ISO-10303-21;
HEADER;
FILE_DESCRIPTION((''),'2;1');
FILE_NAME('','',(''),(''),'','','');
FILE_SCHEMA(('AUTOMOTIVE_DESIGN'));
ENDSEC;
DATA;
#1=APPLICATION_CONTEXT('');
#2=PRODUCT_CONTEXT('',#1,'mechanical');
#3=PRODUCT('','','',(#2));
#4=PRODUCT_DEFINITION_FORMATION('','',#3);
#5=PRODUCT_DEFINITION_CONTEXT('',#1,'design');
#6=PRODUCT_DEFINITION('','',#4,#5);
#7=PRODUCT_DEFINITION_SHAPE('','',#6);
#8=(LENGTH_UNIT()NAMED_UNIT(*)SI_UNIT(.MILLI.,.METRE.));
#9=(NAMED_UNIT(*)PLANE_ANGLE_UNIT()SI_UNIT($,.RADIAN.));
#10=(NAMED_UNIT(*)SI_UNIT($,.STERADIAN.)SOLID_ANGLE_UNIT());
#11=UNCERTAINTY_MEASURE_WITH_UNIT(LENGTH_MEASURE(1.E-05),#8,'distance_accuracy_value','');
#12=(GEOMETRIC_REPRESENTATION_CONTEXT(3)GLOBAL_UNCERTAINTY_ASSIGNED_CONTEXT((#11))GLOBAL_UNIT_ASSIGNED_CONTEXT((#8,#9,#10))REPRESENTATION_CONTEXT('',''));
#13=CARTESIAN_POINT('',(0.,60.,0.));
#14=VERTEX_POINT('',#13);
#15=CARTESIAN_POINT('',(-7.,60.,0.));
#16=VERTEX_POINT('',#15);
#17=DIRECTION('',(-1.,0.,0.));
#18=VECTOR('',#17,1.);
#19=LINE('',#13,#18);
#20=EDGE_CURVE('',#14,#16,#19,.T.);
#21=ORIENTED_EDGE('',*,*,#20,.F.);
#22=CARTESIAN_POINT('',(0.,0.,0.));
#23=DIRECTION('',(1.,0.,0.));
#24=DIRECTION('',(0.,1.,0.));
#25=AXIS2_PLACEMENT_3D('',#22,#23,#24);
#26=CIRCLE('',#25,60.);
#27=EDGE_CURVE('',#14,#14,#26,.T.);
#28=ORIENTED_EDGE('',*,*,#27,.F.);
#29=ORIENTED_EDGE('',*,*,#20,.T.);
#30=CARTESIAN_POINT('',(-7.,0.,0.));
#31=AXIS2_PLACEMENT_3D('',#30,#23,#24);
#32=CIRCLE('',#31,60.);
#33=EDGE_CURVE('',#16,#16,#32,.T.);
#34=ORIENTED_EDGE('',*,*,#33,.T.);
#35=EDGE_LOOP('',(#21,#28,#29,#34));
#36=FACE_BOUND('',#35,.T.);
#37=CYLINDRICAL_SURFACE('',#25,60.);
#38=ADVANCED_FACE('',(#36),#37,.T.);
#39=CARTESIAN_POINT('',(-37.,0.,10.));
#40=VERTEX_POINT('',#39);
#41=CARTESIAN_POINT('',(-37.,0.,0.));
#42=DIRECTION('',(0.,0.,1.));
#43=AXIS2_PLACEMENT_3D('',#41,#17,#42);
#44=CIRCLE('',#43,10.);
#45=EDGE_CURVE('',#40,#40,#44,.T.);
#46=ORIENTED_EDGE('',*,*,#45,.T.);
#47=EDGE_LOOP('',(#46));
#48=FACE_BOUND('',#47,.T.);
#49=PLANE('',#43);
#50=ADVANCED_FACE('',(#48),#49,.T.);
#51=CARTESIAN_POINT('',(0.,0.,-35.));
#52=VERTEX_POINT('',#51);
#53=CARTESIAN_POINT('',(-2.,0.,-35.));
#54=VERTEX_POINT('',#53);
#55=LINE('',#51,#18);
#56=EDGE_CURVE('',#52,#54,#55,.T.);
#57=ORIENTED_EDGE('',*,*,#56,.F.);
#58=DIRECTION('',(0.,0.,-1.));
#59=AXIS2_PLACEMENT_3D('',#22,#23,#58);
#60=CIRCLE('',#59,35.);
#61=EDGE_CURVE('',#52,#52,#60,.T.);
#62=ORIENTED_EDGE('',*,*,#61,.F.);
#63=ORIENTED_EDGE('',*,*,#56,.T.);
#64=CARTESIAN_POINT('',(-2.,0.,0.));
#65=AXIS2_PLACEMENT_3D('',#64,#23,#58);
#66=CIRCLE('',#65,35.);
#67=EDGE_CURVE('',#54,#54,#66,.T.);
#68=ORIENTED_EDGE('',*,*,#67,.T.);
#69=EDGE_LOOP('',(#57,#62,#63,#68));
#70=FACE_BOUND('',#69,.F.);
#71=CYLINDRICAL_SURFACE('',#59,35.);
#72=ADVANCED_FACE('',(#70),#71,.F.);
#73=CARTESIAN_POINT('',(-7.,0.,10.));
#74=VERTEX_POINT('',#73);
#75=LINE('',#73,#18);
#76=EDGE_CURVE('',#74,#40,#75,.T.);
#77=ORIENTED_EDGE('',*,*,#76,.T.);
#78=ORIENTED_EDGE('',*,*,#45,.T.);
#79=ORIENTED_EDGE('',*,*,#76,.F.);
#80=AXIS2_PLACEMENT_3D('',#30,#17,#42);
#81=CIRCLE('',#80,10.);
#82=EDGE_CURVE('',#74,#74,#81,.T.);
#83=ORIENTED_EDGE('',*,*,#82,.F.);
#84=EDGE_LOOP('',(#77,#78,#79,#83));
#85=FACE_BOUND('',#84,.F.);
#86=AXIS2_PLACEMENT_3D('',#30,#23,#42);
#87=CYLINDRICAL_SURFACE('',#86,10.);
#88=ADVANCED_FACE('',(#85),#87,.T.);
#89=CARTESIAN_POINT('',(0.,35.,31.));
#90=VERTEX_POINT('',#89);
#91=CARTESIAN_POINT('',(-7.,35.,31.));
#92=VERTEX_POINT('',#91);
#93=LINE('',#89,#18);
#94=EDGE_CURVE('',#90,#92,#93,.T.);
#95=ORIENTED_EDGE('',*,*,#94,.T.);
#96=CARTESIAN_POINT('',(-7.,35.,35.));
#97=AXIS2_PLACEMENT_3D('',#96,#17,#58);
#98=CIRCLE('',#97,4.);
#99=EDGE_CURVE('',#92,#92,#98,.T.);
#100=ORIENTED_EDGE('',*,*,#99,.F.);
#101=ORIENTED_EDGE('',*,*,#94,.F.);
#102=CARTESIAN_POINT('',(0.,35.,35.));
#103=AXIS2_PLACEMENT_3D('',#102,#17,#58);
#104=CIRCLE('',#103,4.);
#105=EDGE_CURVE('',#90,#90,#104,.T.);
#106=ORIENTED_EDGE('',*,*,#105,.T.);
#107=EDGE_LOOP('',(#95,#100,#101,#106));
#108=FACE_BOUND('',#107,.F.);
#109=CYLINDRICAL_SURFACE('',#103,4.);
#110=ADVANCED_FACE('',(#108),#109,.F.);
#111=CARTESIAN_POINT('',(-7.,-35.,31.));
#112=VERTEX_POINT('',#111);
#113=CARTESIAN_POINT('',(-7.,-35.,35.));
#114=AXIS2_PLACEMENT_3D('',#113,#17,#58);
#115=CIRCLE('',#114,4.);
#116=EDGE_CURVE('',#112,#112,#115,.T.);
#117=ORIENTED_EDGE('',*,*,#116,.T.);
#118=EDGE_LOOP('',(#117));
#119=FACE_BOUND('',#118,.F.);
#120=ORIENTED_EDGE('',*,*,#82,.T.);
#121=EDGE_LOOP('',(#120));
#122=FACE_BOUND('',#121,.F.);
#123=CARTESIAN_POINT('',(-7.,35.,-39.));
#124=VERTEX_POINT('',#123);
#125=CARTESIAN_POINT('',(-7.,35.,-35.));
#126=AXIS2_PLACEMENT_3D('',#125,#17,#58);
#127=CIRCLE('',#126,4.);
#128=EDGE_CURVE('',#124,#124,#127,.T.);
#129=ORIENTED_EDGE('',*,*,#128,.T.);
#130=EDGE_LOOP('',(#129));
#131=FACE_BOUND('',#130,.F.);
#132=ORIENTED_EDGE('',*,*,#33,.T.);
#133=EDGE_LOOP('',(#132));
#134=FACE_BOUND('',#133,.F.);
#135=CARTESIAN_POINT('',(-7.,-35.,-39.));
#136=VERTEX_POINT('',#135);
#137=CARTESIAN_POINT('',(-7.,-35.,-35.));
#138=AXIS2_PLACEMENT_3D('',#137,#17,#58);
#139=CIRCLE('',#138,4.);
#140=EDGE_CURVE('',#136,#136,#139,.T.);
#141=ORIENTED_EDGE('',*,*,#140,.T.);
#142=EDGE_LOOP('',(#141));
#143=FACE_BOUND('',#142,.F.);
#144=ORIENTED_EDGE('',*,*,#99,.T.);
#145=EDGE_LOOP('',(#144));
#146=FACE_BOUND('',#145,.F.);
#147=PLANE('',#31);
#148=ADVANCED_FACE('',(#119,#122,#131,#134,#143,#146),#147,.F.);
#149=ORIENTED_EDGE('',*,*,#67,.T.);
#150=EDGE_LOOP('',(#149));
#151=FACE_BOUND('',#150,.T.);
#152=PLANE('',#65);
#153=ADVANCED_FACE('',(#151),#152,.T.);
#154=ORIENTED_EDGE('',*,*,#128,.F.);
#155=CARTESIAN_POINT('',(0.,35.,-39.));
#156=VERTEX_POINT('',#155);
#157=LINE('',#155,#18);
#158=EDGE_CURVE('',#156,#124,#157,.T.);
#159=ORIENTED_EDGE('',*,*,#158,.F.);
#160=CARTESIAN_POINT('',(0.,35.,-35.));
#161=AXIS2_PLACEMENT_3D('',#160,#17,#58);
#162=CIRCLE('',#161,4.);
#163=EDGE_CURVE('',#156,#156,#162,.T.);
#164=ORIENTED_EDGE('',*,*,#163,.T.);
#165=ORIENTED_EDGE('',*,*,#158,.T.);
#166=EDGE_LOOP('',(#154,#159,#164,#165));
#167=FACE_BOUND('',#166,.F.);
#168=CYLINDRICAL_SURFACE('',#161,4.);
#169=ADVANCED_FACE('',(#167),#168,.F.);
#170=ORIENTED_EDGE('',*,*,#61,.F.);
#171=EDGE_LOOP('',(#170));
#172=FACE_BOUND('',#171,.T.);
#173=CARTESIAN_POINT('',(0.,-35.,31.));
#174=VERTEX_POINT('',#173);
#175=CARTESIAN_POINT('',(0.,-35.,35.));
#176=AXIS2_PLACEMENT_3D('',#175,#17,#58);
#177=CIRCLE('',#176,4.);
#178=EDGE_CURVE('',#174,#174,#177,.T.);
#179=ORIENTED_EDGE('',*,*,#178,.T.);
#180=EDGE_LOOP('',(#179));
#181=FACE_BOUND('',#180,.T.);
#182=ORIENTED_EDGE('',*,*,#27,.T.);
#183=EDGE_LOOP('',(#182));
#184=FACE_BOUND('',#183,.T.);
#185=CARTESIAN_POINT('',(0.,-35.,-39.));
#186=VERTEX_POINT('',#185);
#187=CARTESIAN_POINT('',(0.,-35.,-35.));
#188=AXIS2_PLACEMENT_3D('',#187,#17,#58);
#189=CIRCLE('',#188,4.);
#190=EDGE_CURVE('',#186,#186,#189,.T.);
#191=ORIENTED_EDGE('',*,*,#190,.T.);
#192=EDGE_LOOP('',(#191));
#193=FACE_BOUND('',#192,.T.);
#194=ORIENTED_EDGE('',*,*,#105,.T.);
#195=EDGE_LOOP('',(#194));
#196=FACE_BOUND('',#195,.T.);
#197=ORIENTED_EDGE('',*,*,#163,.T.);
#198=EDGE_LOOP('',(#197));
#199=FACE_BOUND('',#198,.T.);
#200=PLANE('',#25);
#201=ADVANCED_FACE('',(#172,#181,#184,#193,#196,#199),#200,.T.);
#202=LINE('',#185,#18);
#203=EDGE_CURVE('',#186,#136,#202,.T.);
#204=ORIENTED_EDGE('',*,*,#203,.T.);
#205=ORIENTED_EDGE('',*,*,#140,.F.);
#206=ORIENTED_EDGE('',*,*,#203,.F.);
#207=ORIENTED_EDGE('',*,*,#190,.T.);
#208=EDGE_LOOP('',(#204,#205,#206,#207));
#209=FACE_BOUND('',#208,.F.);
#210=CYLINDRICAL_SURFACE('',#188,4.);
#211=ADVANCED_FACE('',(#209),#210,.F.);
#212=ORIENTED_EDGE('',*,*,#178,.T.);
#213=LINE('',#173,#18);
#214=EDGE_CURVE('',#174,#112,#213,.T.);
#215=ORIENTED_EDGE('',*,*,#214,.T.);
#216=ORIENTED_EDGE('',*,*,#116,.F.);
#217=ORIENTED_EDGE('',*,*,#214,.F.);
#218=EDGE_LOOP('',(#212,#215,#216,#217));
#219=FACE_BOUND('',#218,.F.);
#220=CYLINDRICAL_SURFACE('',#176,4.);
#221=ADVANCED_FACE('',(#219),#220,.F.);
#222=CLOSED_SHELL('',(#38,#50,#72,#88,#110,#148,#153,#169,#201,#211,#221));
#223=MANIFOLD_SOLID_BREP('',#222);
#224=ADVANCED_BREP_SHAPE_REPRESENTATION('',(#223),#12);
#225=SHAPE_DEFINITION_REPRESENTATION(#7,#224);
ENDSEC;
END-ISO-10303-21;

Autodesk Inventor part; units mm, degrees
ref_plane "YZ Plane" through (0, 0, 0) normal (1, 0, 0) x (0, 1, 0)
ref_plane "XZ Plane" through (0, 0, 0) normal (0, 1, 0) x (-1, 0, 0)
ref_plane "XY Plane" through (0, 0, 0) normal (0, 0, 1) x (1, 0, 0)
sketch "Sketch1" plane through (0, 0, 0) normal (1, 0, 0) x (0, 1, 0)
  circle A0 centre (0, 0) radius 60
  line L0 (0, 84) -> (0, -84) construction
  line L1 (-84, 0) -> (84, 0) construction
  dimension "d0" = 120
extrude "Flange" add sketch "Sketch1" against normal blind 7
sketch "Sketch2" plane through (0, 0, 0) normal (1, 0, 0) x (0, 0, -1)
  line L0 (-84, 0) -> (84, 0) construction
  line L1 (0, -84) -> (0, 84) construction
  point P0 (0, 0)
  point P1 (-35, 35)
  point P2 (35, 35)
  point P3 (35, -35)
  point P4 (-35, -35)
  dimension "d5" = 70
  dimension "d6" = 70
hole "Bolt Holes" at (0, 35, 35) at (0, 35, -35) at (0, -35, -35) at (0, -35, 35) direction (-1, 0, 0) diameter 8 end through all
sketch "Sketch3" plane through (-7, 0, 0) normal (-1, 0, 0) x (0, 0, 1)
  circle A0 centre (0, 0) radius 10
  dimension "d14" = 20
extrude "CV Input" add sketch "Sketch3" along normal blind 30
sketch "Sketch4" plane through (0, 0, 0) normal (1, 0, 0) x (0, 0, -1)
  circle A0 centre (0, 0) radius 35
  dimension "d20" = 70
extrude "Extrusion3" cut sketch "Sketch4" against normal blind 2
properties part number "Diff_CV_Output_V1"
